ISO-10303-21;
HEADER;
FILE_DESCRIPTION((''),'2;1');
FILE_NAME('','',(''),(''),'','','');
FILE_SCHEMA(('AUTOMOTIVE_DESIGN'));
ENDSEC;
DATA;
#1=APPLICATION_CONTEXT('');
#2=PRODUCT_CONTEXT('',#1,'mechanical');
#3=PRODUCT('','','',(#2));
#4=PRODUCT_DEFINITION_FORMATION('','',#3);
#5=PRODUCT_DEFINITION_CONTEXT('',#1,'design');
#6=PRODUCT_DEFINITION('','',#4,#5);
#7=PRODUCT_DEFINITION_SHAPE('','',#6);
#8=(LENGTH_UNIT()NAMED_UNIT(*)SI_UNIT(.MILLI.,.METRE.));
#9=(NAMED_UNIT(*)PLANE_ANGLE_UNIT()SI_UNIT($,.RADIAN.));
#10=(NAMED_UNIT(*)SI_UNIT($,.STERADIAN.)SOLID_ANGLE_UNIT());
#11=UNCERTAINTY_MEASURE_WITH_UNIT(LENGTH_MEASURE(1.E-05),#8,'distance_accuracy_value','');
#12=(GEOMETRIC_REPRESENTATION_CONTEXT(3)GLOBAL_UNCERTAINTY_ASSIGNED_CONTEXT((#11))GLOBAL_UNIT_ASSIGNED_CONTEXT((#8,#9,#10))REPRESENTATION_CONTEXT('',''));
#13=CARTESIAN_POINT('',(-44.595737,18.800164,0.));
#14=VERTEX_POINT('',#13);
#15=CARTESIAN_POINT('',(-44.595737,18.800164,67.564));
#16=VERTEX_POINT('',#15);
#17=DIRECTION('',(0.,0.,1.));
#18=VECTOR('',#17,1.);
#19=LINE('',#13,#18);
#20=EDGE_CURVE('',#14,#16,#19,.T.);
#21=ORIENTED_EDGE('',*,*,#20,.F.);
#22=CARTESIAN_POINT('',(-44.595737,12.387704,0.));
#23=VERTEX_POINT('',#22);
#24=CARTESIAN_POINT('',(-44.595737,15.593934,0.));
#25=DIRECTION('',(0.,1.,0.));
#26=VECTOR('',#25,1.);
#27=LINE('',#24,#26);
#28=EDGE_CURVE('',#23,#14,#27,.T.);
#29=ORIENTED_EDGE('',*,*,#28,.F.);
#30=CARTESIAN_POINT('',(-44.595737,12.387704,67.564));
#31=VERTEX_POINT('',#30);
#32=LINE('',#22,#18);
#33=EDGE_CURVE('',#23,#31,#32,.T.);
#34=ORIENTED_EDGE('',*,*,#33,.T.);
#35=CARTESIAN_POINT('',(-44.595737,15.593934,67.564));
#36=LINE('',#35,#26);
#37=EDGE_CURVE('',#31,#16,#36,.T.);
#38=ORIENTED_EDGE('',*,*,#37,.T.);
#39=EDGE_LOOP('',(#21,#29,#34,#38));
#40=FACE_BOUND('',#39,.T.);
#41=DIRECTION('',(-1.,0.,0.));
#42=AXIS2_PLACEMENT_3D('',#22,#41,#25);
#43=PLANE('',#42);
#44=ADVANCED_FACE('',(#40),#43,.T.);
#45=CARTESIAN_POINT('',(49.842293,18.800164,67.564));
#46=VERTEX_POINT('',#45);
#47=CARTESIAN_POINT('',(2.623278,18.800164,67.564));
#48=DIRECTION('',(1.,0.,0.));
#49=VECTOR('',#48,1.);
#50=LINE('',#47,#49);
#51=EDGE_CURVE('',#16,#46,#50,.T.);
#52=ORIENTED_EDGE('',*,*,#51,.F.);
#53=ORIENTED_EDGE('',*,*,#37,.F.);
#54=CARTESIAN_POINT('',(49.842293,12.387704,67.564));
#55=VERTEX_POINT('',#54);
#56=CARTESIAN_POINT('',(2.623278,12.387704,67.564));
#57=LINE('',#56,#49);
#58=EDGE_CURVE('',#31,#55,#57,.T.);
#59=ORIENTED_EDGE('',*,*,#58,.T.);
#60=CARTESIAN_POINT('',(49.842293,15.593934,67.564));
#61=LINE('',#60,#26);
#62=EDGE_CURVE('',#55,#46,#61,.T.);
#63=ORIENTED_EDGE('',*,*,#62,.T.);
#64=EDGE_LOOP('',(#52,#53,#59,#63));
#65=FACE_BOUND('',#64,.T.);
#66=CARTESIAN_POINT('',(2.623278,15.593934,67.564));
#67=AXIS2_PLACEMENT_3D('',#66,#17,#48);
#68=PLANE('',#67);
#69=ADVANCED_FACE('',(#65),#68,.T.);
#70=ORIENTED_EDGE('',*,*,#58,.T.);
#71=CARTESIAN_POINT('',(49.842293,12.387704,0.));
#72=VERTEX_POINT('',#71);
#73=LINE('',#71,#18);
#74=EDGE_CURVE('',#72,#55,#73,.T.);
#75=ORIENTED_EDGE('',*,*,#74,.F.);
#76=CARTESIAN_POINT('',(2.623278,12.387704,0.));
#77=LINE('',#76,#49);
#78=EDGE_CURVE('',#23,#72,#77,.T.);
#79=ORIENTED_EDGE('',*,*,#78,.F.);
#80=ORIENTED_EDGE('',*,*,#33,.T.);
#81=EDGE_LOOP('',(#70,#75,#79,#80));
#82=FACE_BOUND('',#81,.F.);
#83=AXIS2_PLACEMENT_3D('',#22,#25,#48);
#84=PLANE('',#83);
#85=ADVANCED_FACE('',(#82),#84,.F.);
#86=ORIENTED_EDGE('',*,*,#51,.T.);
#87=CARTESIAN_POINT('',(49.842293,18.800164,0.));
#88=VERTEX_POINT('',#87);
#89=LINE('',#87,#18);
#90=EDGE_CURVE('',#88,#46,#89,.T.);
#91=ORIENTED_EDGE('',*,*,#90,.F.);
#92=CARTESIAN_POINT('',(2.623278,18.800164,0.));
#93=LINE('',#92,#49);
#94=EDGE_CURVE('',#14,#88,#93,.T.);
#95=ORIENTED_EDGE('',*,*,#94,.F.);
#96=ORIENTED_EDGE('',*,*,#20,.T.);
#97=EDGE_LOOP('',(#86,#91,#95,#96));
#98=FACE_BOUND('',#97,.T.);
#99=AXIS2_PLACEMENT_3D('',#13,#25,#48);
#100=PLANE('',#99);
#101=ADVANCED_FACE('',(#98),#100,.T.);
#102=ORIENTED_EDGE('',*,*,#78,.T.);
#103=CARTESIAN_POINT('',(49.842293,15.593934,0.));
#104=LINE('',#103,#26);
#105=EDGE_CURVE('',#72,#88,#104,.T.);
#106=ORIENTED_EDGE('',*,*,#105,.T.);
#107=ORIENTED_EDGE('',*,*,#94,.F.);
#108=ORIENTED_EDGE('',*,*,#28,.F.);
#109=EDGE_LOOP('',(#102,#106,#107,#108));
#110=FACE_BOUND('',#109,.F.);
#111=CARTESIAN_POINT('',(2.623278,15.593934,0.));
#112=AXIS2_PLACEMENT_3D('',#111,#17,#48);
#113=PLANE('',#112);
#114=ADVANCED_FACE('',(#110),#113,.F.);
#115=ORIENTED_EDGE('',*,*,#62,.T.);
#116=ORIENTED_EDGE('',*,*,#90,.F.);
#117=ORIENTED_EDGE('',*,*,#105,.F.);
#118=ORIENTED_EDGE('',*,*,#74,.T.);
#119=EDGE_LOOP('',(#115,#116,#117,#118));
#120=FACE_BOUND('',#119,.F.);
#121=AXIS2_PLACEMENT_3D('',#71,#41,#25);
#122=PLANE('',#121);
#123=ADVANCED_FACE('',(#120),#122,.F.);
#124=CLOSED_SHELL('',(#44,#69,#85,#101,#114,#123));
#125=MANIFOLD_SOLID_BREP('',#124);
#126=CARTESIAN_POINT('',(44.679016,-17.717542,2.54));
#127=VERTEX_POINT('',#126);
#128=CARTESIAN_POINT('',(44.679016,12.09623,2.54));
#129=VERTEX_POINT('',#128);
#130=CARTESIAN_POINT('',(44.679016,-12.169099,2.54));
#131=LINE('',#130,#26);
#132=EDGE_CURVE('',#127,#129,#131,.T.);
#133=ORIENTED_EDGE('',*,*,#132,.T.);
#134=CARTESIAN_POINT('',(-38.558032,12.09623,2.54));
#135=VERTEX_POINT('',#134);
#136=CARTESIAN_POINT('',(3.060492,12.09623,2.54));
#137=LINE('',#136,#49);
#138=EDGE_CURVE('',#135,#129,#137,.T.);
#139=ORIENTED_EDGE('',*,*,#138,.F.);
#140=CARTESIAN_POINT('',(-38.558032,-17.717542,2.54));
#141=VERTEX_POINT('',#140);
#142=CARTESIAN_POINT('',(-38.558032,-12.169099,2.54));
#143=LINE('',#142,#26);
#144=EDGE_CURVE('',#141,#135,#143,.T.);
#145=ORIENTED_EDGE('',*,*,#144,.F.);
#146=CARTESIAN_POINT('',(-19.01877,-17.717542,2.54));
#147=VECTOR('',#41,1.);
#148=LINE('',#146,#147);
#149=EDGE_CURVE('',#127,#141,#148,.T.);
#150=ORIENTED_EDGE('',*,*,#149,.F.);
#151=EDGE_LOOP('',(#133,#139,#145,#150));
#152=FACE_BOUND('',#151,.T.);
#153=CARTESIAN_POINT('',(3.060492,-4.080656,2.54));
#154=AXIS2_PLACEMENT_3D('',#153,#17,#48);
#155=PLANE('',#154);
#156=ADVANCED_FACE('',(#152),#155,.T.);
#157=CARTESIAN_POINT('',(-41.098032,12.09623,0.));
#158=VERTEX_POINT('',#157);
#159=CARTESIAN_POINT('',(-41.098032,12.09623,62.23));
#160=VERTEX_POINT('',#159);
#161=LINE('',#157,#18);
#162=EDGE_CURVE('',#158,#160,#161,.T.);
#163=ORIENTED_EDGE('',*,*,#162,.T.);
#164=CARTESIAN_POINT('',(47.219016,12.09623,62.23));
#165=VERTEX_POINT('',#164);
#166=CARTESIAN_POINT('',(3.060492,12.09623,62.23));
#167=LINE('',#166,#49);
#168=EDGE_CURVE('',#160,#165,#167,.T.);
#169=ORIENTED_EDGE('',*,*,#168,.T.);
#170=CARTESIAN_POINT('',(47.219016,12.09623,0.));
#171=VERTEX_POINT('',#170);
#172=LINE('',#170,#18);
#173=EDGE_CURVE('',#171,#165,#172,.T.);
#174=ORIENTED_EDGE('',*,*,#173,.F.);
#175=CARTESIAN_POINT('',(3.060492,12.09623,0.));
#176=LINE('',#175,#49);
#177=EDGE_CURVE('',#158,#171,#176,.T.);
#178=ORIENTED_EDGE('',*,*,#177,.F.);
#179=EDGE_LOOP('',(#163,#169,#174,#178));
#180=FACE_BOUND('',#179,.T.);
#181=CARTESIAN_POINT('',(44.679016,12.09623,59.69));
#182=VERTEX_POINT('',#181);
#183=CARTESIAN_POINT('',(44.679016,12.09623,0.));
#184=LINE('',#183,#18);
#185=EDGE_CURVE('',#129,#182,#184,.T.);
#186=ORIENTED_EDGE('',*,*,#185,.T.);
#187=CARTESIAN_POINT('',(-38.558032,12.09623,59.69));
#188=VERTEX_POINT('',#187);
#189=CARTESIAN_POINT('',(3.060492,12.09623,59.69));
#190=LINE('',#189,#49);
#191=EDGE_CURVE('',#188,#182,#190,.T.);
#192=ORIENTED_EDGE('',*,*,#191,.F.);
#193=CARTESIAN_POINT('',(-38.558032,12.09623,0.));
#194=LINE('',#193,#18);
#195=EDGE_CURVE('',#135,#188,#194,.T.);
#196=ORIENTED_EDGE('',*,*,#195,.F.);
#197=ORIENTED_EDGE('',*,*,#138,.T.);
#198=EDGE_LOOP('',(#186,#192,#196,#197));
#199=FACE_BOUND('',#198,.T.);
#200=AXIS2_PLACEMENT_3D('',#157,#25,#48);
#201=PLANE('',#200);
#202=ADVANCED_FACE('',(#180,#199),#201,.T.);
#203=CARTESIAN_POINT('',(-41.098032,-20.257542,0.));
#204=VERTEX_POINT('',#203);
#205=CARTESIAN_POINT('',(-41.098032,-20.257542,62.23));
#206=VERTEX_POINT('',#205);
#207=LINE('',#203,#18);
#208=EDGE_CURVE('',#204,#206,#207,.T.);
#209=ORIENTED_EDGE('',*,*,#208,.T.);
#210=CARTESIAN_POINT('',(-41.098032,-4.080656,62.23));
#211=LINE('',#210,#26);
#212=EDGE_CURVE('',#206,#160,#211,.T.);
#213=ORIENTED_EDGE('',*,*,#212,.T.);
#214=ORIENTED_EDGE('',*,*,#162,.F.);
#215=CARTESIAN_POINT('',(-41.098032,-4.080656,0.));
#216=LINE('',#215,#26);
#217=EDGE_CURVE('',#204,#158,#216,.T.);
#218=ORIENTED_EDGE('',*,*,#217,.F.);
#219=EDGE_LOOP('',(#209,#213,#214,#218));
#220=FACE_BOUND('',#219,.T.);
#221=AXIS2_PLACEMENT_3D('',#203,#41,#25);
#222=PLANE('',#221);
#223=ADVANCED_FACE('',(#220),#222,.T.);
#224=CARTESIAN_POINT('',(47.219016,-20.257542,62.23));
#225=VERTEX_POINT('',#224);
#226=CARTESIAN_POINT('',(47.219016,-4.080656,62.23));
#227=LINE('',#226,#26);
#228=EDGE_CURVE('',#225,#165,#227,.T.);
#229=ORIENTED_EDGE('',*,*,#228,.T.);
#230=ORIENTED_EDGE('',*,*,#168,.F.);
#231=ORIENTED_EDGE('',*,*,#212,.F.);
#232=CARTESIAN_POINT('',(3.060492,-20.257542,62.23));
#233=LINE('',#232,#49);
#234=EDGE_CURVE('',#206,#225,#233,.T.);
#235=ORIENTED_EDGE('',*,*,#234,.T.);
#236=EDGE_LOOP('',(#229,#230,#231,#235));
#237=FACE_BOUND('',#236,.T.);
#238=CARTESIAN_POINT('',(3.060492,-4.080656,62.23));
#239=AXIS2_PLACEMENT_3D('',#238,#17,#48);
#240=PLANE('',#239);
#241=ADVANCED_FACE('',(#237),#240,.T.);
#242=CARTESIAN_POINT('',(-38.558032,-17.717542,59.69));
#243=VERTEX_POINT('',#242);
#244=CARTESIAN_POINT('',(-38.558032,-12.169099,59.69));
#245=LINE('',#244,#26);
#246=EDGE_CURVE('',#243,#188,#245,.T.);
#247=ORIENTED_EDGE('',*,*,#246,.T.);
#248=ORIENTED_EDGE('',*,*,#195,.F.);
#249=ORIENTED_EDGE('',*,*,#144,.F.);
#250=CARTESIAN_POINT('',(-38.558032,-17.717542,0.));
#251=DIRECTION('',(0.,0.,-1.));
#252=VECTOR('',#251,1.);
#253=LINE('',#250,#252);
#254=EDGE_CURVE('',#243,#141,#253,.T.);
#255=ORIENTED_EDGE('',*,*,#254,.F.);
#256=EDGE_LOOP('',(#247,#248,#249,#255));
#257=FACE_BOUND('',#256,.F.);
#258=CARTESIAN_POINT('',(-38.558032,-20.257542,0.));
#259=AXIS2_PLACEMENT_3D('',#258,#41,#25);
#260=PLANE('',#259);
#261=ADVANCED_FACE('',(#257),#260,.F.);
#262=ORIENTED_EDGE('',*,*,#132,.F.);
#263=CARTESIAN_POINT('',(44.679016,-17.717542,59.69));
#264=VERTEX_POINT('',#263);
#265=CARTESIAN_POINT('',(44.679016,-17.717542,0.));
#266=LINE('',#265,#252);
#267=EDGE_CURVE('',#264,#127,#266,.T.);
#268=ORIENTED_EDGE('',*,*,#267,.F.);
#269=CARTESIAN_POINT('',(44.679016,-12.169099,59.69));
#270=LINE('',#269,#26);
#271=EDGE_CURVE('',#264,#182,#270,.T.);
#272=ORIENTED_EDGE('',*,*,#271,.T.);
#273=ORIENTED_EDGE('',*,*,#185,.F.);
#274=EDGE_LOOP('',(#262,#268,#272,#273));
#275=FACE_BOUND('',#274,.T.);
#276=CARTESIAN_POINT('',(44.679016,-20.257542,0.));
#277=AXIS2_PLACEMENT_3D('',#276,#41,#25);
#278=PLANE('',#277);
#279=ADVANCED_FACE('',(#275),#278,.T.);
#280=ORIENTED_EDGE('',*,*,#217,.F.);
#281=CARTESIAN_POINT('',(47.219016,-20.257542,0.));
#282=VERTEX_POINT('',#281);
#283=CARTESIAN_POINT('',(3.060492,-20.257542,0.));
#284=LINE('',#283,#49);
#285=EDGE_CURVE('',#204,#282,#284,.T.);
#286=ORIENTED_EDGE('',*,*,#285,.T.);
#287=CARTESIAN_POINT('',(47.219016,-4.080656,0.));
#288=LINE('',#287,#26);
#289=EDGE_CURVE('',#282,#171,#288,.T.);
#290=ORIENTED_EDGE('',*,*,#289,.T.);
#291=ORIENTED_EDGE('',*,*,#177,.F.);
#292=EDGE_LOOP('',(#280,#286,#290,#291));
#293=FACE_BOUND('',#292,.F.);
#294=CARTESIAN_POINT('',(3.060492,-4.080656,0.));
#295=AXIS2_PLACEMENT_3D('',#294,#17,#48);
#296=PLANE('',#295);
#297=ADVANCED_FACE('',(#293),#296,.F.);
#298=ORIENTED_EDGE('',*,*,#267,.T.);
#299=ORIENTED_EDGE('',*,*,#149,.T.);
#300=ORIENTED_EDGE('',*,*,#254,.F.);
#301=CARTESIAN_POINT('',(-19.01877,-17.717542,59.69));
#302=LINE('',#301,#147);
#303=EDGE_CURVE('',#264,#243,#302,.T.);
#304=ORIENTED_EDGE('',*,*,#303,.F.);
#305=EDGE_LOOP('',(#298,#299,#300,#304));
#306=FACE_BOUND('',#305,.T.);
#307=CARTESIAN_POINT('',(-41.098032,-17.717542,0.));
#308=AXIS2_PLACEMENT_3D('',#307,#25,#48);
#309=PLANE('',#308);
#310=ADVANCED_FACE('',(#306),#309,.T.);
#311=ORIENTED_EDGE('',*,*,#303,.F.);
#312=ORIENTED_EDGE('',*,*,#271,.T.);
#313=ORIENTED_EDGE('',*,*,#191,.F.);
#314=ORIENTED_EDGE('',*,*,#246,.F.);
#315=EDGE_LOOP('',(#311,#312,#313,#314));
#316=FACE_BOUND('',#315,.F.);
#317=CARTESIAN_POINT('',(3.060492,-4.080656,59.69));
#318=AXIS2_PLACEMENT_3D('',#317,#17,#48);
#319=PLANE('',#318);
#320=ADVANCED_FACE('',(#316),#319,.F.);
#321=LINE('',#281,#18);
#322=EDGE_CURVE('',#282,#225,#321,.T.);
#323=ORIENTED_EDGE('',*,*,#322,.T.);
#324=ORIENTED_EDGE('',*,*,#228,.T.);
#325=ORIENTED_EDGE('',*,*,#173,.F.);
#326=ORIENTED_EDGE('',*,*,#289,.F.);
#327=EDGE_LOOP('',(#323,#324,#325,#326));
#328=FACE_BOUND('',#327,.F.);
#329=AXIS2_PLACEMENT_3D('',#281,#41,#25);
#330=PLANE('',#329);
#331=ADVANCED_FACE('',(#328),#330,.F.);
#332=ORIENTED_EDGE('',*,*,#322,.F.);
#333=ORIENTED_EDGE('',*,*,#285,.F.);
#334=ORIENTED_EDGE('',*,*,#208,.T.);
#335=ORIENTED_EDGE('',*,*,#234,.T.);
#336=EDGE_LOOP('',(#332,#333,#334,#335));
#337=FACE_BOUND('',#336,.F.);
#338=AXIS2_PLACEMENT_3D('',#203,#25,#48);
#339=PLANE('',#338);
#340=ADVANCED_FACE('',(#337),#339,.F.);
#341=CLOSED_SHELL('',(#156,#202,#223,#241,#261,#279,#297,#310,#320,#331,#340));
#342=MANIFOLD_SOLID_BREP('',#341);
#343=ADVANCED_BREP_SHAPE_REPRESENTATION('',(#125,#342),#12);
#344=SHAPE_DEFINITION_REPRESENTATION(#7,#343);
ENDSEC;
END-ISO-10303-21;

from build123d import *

# Parameters (mm, degrees)
F0_W     = 88.317048
F0_H     = 32.353772
F1_DEPTH = 62.23
F2_T     = -2.54
F3_W     = 94.438031
F3_H     = 6.412459
F4_DEPTH = 67.564


with BuildPart() as f1:
    # F0 (on Top) → F1 (new body)
    with BuildSketch(Plane.XY):
        with Locations((3.060492, -4.080656)):
            Rectangle(F0_W, F0_H)
    extrude(amount=F1_DEPTH)

    # F2
    f2_openings = [f1.faces().sort_by_distance(p)[0] for p in [
        (3.060492, 12.09623, 31.115),
    ]]
    offset(amount=F2_T, openings=f2_openings)


with BuildPart() as f4:
    # F3 (on Top) → F4 (new body)
    with BuildSketch(Plane.XY):
        with Locations((2.623278, 15.593934)):
            Rectangle(F3_W, F3_H)
    extrude(amount=F4_DEPTH)


solid = Compound([f1.part, f4.part])
